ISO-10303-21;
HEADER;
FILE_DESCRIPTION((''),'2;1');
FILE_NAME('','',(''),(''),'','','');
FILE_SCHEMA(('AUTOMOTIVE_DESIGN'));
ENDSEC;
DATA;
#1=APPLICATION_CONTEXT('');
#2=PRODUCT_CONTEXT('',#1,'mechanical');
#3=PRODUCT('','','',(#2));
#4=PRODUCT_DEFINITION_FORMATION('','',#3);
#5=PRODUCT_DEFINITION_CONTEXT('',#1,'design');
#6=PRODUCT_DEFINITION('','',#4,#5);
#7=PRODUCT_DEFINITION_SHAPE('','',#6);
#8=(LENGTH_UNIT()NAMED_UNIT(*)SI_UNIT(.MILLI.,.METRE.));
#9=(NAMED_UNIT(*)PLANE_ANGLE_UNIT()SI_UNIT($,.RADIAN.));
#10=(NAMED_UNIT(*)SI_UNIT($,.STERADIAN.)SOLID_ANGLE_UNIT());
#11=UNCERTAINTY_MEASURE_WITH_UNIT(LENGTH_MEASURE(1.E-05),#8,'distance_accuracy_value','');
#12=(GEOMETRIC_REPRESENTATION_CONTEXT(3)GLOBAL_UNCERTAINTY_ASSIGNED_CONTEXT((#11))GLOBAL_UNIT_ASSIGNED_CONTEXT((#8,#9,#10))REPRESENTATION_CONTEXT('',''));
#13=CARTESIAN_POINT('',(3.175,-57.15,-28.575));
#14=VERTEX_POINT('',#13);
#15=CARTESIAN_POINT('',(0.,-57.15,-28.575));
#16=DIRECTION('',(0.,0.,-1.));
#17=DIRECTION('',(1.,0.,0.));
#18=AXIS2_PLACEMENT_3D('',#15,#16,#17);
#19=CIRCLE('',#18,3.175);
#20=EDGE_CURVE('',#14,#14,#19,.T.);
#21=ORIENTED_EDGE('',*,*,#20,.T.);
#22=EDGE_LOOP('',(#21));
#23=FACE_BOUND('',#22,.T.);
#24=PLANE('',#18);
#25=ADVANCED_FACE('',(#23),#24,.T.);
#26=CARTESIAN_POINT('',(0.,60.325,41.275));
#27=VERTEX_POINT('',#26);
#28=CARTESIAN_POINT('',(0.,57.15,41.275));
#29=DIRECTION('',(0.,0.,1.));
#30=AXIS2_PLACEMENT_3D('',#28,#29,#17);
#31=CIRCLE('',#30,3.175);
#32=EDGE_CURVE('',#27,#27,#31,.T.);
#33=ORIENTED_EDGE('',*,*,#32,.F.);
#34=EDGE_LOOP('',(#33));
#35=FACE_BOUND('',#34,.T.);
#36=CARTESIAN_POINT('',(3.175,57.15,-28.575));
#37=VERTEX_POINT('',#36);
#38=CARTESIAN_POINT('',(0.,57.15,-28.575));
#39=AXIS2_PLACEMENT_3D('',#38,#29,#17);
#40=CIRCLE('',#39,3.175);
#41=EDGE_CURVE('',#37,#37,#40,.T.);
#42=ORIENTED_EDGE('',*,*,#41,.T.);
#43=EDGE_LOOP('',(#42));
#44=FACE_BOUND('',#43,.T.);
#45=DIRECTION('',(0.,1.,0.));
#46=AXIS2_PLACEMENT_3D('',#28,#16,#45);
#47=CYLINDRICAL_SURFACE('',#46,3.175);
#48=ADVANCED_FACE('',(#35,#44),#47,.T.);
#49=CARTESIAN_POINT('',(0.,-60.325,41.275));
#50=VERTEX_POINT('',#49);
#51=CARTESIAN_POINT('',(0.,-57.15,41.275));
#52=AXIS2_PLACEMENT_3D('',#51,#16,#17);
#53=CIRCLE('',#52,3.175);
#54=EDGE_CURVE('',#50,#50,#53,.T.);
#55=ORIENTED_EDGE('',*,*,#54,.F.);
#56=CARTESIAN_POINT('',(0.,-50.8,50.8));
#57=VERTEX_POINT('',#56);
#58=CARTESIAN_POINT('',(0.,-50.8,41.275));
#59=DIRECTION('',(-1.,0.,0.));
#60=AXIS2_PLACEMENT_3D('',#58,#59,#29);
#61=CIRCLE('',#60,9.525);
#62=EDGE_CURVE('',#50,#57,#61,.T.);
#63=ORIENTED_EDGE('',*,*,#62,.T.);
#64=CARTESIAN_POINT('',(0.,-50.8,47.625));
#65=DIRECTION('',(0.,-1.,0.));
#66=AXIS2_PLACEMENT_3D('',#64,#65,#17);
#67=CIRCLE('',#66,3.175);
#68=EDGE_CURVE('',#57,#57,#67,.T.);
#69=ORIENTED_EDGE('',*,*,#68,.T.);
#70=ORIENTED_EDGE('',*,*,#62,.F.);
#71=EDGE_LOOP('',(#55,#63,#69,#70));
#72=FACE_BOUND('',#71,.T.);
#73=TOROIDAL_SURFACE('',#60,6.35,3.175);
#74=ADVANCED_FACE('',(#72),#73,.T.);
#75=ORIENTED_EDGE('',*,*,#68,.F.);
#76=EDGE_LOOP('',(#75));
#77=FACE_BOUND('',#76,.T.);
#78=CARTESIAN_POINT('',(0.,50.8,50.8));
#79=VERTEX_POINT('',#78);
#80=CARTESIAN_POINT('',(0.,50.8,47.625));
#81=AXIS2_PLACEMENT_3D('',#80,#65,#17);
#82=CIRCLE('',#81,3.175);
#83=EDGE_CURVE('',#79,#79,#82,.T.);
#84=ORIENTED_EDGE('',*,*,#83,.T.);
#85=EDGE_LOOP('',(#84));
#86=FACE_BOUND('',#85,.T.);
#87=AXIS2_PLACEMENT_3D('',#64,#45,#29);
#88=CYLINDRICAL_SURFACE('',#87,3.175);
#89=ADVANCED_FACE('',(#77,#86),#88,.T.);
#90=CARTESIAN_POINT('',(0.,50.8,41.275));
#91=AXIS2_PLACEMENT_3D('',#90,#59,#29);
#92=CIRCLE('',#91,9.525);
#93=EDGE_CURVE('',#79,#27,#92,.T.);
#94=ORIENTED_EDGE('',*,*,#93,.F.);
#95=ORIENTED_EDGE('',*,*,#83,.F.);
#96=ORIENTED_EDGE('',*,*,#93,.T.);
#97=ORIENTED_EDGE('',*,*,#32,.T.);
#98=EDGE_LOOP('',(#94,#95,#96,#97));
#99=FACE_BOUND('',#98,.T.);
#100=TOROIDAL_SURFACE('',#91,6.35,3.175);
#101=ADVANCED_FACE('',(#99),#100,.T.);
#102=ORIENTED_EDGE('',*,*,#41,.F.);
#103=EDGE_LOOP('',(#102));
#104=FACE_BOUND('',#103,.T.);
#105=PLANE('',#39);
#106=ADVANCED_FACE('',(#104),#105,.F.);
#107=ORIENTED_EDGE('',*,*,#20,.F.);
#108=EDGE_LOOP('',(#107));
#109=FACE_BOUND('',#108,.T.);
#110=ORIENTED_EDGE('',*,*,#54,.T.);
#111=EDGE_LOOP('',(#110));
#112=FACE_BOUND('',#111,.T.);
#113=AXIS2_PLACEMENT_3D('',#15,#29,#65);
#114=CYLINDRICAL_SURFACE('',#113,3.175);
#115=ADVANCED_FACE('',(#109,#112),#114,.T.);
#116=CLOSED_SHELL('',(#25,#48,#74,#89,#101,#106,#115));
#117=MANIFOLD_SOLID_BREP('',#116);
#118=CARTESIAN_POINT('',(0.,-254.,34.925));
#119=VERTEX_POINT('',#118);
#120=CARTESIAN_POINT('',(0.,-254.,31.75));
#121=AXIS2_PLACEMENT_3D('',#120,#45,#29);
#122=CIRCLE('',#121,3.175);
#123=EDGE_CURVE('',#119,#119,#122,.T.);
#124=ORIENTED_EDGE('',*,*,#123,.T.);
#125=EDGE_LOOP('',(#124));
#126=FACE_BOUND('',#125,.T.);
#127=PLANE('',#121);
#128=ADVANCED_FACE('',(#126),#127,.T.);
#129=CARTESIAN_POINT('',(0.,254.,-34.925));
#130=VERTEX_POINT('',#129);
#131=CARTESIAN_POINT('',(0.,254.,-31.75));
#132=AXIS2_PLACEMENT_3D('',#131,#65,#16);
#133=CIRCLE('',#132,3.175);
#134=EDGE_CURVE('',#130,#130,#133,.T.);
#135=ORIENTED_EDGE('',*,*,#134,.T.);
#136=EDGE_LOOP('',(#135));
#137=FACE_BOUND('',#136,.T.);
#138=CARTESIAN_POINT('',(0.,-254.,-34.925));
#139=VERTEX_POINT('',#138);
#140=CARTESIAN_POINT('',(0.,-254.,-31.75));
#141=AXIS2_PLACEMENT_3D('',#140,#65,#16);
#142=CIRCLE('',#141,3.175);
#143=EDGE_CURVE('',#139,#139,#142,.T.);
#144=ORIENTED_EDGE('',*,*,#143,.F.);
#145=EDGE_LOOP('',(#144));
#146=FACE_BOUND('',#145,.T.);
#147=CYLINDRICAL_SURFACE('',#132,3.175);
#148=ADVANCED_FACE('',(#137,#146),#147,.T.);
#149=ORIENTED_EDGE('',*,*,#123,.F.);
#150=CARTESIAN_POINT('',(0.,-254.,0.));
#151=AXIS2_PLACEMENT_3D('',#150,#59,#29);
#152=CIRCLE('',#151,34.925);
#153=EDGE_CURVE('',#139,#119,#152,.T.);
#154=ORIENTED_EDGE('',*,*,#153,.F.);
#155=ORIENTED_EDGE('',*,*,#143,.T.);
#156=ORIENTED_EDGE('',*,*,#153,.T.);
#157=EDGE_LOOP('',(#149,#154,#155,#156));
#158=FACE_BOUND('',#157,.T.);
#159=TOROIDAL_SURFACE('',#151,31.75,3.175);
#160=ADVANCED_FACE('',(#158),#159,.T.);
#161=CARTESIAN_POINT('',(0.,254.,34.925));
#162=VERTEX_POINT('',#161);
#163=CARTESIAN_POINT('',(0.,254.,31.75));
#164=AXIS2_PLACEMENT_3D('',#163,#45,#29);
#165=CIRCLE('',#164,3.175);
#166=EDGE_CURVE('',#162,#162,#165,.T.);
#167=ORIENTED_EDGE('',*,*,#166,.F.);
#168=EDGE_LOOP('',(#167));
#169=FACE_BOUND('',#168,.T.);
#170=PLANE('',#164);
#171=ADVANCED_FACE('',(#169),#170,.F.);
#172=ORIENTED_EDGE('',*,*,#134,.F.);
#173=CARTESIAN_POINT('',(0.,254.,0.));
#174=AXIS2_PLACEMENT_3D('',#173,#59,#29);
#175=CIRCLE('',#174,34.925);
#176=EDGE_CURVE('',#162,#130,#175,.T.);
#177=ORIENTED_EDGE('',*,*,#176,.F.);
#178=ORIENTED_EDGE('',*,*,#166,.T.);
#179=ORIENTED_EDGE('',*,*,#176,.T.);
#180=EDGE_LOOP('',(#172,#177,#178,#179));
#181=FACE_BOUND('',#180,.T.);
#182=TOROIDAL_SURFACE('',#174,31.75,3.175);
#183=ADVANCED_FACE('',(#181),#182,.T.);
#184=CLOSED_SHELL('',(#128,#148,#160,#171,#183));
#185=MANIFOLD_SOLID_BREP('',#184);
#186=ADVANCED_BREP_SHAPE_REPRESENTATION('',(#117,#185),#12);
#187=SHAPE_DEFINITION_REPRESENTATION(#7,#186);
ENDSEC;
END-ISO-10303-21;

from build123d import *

# Parameters (mm, degrees)
SKETCH2_R = 3.175
SKETCH5_R = 3.175


with BuildPart() as part:
    # Sweep1: sweep along a path in Sketch1
    with BuildLine(Plane(origin=(0, 0, 0), x_dir=(0, 0, -1), z_dir=(1, 0, 0))) as sweep1_path:
        ThreePointArc((-31.75, 254), (0, 285.75), (31.75, 254))
        Line((31.75, 254), (31.75, -254))
        ThreePointArc((31.75, -254), (0, -285.75), (-31.75, -254))
    # Sketch2 → Sweep1 (sweep)
    with BuildSketch(Plane(origin=(0, 254, 0), x_dir=(1, 0, 0), z_dir=(0, 1, 0))):
        with Locations((0, -31.75)):
            Circle(SKETCH2_R)
    sweep(path=sweep1_path.line)


with BuildPart() as body_2:
    # Sweep2: sweep along a path in Sketch4
    with BuildLine(Plane(origin=(0, 0, 0), x_dir=(0, 0, -1), z_dir=(1, 0, 0))) as sweep2_path:
        Line((28.575, 57.15), (-41.275, 57.15))
        ThreePointArc((-41.275, 57.15), (-45.765128061, 55.290128061), (-47.625, 50.8))
        Line((-47.625, 50.8), (-47.625, -50.8))
        ThreePointArc((-47.625, -50.8), (-45.765128061, -55.290128061), (-41.275, -57.15))
        Line((-41.275, -57.15), (28.575, -57.15))
    # Sketch5 → Sweep2 (sweep)
    with BuildSketch(Plane.XY.offset(-28.575)):
        with Locations((0, 57.15)):
            Circle(SKETCH5_R)
    sweep(path=sweep2_path.line)


solid = Compound([part.part, body_2.part])
